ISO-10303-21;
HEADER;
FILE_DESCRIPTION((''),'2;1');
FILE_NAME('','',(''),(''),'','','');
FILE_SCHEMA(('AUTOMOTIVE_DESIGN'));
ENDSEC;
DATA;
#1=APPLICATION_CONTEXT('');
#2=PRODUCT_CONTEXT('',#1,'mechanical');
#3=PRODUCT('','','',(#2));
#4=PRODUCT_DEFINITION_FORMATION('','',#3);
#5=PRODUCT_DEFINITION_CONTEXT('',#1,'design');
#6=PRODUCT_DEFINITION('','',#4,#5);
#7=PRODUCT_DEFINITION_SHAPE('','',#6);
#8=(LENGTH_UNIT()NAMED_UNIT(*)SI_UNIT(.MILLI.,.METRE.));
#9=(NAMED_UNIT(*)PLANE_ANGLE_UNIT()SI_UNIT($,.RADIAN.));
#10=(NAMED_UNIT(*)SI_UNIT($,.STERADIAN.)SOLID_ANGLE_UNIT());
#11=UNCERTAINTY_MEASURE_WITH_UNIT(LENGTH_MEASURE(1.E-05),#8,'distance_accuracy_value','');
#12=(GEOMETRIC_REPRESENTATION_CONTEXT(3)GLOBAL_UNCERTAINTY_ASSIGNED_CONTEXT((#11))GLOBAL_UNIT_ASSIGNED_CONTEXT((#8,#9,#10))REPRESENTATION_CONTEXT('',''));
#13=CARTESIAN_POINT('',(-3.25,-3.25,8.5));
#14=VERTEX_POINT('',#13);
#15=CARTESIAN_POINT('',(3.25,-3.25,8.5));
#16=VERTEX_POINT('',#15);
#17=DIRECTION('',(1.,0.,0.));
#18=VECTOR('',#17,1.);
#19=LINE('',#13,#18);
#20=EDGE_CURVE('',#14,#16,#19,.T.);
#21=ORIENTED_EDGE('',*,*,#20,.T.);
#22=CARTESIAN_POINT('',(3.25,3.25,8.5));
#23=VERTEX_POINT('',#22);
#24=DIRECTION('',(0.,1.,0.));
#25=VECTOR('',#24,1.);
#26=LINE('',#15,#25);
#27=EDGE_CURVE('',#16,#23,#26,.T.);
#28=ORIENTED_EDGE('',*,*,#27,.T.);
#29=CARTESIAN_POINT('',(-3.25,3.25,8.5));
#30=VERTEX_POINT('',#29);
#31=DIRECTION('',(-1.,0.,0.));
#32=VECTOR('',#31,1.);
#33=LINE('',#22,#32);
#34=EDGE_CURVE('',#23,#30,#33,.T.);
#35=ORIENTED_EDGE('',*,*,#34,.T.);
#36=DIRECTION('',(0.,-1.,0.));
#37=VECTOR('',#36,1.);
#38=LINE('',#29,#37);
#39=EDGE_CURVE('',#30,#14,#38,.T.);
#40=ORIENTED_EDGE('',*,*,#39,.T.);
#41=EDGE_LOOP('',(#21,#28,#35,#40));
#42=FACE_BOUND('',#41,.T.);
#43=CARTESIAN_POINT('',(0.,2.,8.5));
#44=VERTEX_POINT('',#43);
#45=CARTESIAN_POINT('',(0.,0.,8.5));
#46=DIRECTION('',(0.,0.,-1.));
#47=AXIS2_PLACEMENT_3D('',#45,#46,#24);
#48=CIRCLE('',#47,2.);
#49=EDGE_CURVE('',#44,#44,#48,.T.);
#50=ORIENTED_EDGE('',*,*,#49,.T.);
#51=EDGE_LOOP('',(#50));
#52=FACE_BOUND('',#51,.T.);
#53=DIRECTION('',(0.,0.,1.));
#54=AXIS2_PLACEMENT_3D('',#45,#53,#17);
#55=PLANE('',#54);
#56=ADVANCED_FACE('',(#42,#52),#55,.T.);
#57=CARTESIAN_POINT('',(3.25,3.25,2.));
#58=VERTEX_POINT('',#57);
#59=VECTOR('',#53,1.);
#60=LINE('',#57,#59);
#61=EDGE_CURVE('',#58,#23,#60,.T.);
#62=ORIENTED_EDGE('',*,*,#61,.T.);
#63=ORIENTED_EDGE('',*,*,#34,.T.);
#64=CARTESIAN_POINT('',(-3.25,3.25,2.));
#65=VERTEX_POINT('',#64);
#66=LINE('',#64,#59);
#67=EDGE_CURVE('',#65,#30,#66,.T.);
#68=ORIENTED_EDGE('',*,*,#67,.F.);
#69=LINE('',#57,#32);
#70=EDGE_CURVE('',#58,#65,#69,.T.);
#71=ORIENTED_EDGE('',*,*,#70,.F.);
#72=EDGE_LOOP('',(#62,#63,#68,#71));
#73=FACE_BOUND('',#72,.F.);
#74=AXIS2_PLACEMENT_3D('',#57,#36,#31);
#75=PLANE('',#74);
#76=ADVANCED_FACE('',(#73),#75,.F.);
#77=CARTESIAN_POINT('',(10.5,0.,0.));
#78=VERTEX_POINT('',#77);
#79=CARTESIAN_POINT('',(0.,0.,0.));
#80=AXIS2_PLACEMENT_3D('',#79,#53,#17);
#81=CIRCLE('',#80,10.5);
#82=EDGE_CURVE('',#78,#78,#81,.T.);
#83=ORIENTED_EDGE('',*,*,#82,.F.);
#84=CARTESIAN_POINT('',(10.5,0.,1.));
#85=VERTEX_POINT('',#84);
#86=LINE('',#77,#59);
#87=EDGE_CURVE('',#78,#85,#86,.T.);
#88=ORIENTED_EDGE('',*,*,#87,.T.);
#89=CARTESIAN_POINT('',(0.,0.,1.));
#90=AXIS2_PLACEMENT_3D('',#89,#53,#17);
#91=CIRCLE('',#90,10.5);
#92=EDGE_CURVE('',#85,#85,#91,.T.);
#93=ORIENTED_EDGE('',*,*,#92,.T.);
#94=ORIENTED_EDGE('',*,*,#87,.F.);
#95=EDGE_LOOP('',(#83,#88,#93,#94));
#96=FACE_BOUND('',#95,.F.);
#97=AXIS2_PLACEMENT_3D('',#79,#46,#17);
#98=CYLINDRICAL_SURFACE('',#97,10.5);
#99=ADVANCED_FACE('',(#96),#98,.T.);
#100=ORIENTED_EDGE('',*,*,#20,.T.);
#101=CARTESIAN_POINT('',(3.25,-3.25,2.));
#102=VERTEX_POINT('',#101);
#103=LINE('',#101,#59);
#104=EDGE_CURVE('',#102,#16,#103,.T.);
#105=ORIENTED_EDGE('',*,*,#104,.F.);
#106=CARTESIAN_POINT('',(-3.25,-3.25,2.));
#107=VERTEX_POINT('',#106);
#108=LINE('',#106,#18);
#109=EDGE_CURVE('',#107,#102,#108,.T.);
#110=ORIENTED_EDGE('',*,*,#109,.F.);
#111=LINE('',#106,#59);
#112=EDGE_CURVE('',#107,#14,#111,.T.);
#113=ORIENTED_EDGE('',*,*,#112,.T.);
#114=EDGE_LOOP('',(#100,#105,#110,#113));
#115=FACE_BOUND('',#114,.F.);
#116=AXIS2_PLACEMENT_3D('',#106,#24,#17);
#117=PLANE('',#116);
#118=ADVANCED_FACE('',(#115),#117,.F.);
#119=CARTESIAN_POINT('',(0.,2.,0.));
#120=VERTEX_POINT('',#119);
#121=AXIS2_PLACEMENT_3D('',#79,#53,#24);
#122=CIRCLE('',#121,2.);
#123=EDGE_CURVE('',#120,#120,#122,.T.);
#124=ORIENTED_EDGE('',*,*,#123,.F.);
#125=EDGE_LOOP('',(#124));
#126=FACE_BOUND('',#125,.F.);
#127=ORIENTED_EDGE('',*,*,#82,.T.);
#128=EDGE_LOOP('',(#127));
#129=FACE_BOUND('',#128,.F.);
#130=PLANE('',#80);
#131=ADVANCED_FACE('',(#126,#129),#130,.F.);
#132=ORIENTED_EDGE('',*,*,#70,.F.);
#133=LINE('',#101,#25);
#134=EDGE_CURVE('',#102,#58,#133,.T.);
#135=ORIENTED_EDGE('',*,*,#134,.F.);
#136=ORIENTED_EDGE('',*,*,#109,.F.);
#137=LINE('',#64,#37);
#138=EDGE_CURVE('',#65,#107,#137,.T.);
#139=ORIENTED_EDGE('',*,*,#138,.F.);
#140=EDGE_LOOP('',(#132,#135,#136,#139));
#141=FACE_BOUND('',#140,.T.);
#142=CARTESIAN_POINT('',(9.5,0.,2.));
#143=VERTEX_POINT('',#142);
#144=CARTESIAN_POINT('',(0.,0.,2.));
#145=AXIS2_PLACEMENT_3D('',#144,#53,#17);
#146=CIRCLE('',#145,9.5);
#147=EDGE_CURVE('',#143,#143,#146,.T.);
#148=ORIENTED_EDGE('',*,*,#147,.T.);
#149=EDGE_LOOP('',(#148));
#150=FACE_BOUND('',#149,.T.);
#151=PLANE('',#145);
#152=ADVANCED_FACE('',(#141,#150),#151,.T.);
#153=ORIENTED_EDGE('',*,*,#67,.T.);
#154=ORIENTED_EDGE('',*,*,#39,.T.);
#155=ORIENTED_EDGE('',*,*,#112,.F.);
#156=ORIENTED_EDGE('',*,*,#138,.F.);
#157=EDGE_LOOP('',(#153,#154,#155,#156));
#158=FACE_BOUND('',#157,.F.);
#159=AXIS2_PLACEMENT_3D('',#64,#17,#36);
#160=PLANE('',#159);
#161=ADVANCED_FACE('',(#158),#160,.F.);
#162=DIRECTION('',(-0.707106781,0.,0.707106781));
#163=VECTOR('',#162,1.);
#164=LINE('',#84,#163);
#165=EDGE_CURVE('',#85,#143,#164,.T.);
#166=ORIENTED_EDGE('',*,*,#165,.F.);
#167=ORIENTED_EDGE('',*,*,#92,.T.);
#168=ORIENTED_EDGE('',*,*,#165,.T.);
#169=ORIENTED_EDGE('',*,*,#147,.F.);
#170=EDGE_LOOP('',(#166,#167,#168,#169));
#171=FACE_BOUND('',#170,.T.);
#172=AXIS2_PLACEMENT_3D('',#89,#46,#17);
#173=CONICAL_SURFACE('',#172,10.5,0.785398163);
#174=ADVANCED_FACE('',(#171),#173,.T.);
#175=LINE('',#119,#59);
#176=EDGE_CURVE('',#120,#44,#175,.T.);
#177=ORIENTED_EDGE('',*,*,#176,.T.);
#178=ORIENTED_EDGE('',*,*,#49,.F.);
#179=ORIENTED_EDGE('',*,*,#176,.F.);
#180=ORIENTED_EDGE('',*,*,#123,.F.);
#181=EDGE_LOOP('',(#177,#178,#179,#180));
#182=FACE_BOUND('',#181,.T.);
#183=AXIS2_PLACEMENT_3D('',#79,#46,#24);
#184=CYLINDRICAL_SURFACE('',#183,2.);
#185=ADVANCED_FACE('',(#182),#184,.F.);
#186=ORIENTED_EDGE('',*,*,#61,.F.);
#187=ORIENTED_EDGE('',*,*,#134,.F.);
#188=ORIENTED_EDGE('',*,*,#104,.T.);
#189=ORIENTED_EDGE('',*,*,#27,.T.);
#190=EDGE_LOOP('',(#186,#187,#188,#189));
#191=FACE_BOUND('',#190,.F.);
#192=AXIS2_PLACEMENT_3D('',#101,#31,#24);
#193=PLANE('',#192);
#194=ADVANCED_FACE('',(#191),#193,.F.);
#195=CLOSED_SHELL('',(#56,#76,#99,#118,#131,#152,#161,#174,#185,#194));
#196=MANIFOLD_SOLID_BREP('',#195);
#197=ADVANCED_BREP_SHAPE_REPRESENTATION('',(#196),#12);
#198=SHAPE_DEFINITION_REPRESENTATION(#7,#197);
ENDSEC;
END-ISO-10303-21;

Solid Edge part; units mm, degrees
sketch "Sketch1" plane through (0, 0, 0) normal (0, 0, 1) x (1, 0, 0)
  circle A0 centre (0, 0) radius 10.5
extrude "Protrusion1" add sketch "Sketch1" along normal blind 2
sketch "Sketch2" plane through (0, 0, 2) normal (0, 0, 1) x (1, 0, 0)
  line L0 (-3.25, -3.25) -> (3.25, -3.25)
  line L1 (3.25, -3.25) -> (3.25, 3.25)
  line L2 (3.25, 3.25) -> (-3.25, 3.25)
  line L3 (-3.25, 3.25) -> (-3.25, -3.25)
extrude "Extrusionsausprägung_2" add sketch "Sketch2" along normal blind 6.5
chamfer "Fase_1" distance 1 angle 45 1 edges at (-10.5, 0, 2)
hole "Bohrung_1" at (0, 0, 0) direction (0, 0, 1) diameter 4 end through all
